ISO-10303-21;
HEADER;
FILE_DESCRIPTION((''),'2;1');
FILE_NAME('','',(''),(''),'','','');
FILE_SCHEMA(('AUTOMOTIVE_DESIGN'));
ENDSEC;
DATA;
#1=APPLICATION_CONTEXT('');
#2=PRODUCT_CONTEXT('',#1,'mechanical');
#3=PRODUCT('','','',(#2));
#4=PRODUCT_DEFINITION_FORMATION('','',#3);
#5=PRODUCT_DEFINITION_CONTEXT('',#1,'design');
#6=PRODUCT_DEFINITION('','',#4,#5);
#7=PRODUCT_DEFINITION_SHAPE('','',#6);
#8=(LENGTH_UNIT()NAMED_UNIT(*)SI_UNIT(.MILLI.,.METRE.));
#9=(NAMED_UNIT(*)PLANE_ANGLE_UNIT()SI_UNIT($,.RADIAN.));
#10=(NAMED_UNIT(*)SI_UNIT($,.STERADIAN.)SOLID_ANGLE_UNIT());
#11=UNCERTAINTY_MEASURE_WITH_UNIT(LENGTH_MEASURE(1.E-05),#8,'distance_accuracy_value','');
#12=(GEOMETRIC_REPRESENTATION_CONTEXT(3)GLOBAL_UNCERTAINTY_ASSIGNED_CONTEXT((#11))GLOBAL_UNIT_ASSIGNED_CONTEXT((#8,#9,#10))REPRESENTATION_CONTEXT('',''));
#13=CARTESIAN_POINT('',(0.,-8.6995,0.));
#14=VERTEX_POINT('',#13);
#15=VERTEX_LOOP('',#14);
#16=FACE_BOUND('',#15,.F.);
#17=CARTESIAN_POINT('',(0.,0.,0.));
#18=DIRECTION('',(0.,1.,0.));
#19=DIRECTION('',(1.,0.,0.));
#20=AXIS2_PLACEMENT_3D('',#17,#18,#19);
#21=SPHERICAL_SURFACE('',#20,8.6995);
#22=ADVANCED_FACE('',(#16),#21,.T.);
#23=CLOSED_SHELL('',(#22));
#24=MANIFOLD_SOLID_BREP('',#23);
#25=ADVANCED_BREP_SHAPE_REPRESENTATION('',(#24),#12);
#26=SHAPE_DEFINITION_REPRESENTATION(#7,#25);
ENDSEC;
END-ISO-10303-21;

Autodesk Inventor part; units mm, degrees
ref_plane "YZ Plane" through (0, 0, 0) normal (1, 0, 0) x (0, 1, 0)
ref_plane "XZ Plane" through (0, 0, 0) normal (0, 1, 0) x (-1, 0, 0)
ref_plane "XY Plane" through (0, 0, 0) normal (0, 0, 1) x (1, 0, 0)
sketch "Sketch3" plane through (0, 0, 0) normal (0, 0, 1) x (1, 0, 0)
  circle A0 centre (0, 0) radius 8.6995
  line L0 (0, 8.6995) -> (0, -8.6995)
  dimension "d3" = 17.399
revolve "Revolution1" add sketch "Sketch3" angle 360 about axis through (0, 8.6995, 0) along (0, -1, 0)
sketch "Sketch4" plane through (0, 0, 0) normal (0, 1, 0) x (-1, 0, 0)
  line L0 (0, -8.6818) -> (0, 8.6995)
  circle A0 centre (0, 0) radius 8.6995 projected
properties part number "Aidan Sherry Marble"
